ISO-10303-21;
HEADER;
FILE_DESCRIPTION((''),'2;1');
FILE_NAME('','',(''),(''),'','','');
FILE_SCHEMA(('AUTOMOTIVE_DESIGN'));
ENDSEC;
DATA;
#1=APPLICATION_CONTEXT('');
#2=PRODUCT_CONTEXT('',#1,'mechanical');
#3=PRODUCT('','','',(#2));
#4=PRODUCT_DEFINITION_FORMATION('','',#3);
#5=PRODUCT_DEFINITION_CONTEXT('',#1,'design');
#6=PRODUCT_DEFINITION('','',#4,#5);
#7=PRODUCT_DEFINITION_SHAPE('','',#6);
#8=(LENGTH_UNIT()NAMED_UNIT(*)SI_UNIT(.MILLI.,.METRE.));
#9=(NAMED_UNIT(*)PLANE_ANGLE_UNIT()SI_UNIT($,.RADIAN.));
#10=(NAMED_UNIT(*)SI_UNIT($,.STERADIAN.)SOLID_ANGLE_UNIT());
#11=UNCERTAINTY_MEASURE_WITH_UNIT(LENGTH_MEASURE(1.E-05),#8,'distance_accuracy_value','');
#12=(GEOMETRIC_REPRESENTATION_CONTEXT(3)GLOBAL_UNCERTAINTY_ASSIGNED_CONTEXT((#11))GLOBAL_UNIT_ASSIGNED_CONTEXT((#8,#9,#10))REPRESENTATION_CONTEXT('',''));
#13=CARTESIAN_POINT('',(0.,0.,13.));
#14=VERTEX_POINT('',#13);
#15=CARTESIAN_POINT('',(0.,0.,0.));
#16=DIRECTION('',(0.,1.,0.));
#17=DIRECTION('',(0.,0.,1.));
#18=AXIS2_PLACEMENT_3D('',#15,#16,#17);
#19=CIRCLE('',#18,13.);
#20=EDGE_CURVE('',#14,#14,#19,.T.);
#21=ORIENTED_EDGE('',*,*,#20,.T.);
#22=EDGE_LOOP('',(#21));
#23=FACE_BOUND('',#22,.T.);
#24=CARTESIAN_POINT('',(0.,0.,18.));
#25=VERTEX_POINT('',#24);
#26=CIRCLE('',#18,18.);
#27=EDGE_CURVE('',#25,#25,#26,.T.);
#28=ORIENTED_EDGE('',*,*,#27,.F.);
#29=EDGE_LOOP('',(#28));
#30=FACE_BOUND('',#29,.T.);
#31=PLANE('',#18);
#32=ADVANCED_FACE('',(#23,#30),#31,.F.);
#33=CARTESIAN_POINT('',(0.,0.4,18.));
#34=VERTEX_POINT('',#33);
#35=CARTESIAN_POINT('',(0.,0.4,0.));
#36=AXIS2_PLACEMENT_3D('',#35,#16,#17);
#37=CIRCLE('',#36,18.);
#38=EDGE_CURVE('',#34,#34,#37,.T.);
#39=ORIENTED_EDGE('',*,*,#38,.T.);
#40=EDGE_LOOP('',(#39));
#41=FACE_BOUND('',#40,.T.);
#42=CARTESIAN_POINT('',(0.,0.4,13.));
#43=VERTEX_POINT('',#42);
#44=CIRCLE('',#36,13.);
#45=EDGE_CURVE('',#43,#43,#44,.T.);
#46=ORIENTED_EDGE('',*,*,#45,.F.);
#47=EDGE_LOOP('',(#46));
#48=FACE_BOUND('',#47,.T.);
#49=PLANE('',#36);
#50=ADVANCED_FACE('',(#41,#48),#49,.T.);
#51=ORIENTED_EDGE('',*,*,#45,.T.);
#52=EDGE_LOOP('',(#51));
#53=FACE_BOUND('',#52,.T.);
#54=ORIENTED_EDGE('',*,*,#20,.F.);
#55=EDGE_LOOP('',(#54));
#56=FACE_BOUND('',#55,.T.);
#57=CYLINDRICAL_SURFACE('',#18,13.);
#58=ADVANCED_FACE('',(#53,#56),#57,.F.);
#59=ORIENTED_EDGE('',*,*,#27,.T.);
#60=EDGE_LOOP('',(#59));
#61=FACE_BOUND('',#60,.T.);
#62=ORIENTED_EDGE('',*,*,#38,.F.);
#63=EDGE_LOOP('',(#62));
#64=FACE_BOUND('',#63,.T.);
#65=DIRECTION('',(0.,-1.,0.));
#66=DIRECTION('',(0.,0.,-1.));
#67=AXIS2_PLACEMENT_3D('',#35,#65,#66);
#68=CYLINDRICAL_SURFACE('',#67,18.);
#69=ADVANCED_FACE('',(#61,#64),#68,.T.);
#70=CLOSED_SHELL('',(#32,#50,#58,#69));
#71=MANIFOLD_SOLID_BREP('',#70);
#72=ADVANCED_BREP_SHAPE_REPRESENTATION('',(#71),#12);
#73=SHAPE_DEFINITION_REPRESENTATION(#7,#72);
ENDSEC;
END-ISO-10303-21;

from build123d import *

# Parameters (mm, degrees)
SKETCH_1_R          = 18
EXTRUDE_1_DEPTH     = 0.4
SKETCH_2_R          = 13
CUT_EXTRUDE_1_DEPTH = 0.4


with BuildPart() as part:
    # 草图1 → 凸台-拉伸1 (new body)
    with BuildSketch(Plane(origin=(0, 0, 0), x_dir=(1, 0, 0), z_dir=(0, 1, 0))):
        with Locations(Location((0, 0, 0), (0, 0, 270))):
            Circle(SKETCH_1_R)
    extrude(amount=EXTRUDE_1_DEPTH)

    # 草图2 → 切除-拉伸1 (cut)
    with BuildSketch(Plane(origin=(0, 0.4, 0), x_dir=(1, 0, 0), z_dir=(0, 1, 0))):
        with Locations(Location((0, 0, 0), (0, 0, 270))):
            Circle(SKETCH_2_R)
    extrude(amount=-CUT_EXTRUDE_1_DEPTH, mode=Mode.SUBTRACT)


solid = part.part
